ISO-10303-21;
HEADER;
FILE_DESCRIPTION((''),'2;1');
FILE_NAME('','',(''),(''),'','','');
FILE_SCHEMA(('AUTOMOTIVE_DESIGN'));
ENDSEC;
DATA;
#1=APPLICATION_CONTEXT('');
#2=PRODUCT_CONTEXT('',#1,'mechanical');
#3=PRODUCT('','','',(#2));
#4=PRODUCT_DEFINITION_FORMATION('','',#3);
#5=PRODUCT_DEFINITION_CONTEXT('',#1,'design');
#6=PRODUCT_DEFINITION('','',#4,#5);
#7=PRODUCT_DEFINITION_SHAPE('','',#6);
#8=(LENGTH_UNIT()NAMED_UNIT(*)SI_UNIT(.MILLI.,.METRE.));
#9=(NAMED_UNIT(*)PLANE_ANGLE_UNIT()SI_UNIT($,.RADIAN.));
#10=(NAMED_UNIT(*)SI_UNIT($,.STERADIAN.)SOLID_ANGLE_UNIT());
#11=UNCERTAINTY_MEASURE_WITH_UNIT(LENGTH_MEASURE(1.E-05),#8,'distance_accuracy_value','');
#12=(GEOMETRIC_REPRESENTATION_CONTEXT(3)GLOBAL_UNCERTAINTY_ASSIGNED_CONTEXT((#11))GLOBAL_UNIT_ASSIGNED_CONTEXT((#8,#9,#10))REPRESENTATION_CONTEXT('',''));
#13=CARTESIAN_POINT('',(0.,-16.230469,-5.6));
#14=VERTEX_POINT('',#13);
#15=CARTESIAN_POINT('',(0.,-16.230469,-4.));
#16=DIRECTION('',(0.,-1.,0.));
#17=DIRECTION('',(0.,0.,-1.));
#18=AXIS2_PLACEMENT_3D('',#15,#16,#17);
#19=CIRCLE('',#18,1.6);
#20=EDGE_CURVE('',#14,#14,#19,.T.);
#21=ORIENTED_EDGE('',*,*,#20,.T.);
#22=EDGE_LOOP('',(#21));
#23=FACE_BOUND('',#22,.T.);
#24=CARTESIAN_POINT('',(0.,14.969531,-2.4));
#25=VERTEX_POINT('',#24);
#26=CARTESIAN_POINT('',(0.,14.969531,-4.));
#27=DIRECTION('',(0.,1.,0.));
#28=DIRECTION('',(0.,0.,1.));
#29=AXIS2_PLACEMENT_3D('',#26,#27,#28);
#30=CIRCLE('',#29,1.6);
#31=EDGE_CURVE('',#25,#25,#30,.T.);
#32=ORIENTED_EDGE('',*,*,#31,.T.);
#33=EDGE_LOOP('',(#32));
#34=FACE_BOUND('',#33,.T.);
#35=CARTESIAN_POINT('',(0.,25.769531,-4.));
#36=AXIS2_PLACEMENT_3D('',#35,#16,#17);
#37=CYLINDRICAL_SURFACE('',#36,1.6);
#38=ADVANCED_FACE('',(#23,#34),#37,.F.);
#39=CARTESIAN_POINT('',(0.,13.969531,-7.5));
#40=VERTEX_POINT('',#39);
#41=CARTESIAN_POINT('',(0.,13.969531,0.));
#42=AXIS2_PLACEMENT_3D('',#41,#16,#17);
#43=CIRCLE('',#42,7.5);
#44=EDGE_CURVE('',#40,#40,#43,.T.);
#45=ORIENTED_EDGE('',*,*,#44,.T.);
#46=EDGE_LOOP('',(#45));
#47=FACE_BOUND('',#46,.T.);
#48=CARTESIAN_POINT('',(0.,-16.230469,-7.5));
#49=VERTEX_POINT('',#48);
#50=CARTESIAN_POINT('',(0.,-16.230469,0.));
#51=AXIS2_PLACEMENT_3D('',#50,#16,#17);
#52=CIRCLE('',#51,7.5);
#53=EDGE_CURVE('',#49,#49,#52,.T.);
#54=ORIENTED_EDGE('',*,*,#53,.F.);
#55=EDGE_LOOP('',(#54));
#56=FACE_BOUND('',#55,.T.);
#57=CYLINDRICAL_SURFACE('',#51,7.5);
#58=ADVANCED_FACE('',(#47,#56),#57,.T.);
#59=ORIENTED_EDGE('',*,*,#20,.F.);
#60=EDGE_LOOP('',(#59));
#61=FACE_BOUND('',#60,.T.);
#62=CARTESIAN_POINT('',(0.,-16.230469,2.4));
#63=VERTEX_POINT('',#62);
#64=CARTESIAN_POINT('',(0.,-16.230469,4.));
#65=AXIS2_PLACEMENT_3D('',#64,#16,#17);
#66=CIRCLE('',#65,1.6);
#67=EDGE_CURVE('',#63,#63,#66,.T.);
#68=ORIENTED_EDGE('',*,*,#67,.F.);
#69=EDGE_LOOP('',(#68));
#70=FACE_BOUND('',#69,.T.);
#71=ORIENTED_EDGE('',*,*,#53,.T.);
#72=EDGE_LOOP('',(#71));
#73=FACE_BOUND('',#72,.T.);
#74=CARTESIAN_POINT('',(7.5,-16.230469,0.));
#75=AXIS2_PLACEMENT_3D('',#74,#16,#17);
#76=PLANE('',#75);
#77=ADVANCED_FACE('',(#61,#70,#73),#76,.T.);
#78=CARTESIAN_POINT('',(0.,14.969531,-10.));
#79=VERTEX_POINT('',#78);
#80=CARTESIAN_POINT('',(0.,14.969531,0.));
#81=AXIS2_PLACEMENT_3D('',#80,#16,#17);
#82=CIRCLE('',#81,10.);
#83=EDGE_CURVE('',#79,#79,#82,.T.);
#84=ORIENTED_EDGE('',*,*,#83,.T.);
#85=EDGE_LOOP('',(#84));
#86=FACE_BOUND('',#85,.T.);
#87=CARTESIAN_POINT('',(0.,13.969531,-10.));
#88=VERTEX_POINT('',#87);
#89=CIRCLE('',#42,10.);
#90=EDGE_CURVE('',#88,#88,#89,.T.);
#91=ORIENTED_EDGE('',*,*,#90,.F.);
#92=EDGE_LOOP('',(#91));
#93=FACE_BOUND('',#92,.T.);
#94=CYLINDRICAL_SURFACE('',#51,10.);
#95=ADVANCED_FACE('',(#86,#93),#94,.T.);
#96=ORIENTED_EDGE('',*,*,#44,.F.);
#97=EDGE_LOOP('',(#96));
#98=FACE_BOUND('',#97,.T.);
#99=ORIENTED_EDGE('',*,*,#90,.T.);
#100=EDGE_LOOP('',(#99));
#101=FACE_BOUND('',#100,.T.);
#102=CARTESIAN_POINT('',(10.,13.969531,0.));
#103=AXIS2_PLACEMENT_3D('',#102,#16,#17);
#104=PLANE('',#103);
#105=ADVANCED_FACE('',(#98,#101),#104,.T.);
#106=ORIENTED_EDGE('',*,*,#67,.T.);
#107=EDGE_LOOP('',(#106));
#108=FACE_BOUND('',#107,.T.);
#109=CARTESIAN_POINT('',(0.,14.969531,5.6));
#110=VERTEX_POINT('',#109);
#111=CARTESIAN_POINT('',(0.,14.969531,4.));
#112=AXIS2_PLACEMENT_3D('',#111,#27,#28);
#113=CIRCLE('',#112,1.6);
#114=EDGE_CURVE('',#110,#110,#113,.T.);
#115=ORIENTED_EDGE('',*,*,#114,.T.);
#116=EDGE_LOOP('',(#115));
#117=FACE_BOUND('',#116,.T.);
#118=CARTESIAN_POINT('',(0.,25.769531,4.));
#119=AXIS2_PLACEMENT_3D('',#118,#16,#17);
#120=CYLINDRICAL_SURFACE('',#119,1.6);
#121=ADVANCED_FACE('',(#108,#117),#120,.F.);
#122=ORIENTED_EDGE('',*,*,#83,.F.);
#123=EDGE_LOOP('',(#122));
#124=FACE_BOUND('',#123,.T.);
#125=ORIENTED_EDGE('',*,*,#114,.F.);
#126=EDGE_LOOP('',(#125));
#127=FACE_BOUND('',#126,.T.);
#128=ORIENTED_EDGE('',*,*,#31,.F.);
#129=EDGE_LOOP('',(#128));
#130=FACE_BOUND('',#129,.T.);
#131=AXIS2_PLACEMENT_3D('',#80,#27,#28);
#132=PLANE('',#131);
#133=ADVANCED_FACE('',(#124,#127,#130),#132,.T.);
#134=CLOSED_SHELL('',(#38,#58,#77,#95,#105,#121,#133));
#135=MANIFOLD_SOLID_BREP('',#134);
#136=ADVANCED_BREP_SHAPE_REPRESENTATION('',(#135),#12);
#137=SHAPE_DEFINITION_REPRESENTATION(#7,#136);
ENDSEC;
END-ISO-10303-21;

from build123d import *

# Parameters (mm, degrees)
SKETCH_2_R          = 1.6
CUT_EXTRUDE_1_DEPTH = 42


with BuildPart() as part:
    # 草图1 → 旋转1 (revolve)
    with BuildSketch(Plane.XY, mode=Mode.PRIVATE) as revolve_1_sk:
        Polygon((0, 14.96953125), (10, 14.96953125), (10, 13.96953125), (7.5, 13.96953125), (7.5, -16.23046875), (0, -16.23046875), align=None)
    revolve(revolve_1_sk.sketch.rotate(Axis((0, -16.23046875, 0), (0, 1, 0)), 90), axis=Axis((0, -16.23046875, 0), (0, 1, 0)))

    # 草图2 → 切除-拉伸1 (cut)
    with BuildSketch(Plane.XZ.offset(16.23046875)):
        with Locations(Location((0, 4, 0), (0, 0, 270))):
            Circle(SKETCH_2_R)
        with Locations(Location((0, -4, 0), (0, 0, 270))):
            Circle(SKETCH_2_R)
    extrude(amount=-CUT_EXTRUDE_1_DEPTH, mode=Mode.SUBTRACT)


solid = part.part
